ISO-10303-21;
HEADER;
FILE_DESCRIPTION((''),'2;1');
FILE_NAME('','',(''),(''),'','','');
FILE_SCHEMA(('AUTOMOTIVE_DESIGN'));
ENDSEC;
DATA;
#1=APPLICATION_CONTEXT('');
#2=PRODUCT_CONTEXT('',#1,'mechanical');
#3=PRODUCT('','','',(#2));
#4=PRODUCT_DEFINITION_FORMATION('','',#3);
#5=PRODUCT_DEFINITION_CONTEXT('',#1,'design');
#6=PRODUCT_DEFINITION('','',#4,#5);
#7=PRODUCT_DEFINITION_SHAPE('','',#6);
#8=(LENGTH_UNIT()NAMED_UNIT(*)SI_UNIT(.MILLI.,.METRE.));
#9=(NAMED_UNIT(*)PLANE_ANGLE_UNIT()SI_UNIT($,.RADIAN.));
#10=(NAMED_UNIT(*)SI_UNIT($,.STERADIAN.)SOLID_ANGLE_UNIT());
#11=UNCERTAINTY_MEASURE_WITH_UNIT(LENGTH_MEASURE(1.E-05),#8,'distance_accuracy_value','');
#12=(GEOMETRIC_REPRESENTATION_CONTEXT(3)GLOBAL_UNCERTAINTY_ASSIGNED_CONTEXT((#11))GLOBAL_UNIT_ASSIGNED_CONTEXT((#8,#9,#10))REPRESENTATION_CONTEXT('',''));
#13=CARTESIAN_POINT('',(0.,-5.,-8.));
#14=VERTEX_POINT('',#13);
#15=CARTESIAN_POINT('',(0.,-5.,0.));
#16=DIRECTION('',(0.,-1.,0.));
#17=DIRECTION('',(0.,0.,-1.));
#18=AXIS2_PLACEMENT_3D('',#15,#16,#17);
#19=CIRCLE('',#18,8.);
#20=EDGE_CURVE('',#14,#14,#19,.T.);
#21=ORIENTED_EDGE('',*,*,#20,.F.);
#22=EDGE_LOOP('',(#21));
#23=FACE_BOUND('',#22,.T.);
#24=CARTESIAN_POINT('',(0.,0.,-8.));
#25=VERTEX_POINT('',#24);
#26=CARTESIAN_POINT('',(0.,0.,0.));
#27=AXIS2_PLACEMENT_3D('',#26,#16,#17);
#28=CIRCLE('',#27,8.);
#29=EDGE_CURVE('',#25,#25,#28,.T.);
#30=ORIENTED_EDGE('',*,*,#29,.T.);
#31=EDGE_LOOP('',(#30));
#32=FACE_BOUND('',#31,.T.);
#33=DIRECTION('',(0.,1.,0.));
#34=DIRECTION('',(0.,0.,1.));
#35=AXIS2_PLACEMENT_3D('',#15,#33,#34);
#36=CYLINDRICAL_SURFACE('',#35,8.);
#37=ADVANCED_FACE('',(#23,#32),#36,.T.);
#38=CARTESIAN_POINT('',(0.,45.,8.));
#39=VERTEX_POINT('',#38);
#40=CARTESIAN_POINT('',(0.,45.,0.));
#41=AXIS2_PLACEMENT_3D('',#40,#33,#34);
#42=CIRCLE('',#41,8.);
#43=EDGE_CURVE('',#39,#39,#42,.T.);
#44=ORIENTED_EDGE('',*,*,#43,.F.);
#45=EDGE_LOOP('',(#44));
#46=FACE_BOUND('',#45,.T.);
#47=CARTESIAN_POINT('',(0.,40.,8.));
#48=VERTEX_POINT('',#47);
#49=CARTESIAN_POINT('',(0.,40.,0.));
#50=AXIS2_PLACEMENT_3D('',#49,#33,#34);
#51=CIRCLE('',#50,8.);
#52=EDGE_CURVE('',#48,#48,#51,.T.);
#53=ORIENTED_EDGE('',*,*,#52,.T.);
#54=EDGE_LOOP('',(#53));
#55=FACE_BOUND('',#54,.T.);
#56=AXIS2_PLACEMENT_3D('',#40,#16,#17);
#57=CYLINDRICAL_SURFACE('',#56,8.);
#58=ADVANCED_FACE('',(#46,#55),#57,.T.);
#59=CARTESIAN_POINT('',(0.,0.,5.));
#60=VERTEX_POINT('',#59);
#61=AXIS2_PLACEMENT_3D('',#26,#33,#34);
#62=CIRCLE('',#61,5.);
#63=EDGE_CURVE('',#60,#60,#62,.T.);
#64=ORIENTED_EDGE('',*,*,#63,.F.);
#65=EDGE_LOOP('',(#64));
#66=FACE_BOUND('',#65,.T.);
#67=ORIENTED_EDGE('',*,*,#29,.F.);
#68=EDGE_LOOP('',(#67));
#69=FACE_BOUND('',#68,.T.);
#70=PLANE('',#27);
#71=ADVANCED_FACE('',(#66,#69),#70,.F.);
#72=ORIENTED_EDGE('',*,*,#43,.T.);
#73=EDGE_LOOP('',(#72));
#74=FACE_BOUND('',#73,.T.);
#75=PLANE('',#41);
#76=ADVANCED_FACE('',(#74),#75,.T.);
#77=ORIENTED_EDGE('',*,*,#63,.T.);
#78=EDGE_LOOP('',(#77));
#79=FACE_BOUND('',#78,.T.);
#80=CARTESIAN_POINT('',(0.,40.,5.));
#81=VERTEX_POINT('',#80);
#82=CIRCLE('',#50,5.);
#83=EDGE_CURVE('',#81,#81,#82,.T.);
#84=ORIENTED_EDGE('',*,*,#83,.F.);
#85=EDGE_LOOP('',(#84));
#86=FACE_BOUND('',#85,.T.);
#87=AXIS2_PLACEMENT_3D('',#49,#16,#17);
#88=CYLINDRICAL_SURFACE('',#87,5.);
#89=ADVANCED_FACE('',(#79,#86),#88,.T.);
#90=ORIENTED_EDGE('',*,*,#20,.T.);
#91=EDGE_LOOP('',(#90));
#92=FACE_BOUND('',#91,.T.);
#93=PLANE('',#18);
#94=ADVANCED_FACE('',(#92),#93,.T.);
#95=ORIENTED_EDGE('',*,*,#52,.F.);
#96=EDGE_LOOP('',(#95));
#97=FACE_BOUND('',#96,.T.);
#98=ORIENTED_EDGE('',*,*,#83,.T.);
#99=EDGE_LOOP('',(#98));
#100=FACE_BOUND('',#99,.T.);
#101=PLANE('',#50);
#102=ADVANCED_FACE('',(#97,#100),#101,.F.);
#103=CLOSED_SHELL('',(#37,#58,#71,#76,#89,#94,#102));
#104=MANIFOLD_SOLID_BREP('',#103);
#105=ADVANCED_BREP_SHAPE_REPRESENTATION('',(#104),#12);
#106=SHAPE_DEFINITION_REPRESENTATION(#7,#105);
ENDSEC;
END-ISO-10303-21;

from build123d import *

# Parameters (mm, degrees)
SZKIC1_R                    = 5
DODANIE_WYCI_GNI_CIE1_DEPTH = 40
SZKIC3_R                    = 8
DODANIE_WYCI_GNI_CIE2_DEPTH = 5
SZKIC2_R                    = 8
DODANIE_WYCI_GNI_CIE3_DEPTH = 5


with BuildPart() as part:
    # Szkic1 → Dodanie-wyciągnięcie1 (new body)
    with BuildSketch(Plane(origin=(0, 0, 0), x_dir=(1, 0, 0), z_dir=(0, 1, 0))):
        Circle(SZKIC1_R)
    extrude(amount=DODANIE_WYCI_GNI_CIE1_DEPTH)

    # Szkic3 → Dodanie-wyciągnięcie2 (add)
    with BuildSketch(Plane.XZ):
        Circle(SZKIC3_R)
    extrude(amount=DODANIE_WYCI_GNI_CIE2_DEPTH)

    # Szkic2 → Dodanie-wyciągnięcie3 (add)
    with BuildSketch(Plane(origin=(0, 40, 0), x_dir=(1, 0, 0), z_dir=(0, 1, 0))):
        Circle(SZKIC2_R)
    extrude(amount=DODANIE_WYCI_GNI_CIE3_DEPTH)


solid = part.part
